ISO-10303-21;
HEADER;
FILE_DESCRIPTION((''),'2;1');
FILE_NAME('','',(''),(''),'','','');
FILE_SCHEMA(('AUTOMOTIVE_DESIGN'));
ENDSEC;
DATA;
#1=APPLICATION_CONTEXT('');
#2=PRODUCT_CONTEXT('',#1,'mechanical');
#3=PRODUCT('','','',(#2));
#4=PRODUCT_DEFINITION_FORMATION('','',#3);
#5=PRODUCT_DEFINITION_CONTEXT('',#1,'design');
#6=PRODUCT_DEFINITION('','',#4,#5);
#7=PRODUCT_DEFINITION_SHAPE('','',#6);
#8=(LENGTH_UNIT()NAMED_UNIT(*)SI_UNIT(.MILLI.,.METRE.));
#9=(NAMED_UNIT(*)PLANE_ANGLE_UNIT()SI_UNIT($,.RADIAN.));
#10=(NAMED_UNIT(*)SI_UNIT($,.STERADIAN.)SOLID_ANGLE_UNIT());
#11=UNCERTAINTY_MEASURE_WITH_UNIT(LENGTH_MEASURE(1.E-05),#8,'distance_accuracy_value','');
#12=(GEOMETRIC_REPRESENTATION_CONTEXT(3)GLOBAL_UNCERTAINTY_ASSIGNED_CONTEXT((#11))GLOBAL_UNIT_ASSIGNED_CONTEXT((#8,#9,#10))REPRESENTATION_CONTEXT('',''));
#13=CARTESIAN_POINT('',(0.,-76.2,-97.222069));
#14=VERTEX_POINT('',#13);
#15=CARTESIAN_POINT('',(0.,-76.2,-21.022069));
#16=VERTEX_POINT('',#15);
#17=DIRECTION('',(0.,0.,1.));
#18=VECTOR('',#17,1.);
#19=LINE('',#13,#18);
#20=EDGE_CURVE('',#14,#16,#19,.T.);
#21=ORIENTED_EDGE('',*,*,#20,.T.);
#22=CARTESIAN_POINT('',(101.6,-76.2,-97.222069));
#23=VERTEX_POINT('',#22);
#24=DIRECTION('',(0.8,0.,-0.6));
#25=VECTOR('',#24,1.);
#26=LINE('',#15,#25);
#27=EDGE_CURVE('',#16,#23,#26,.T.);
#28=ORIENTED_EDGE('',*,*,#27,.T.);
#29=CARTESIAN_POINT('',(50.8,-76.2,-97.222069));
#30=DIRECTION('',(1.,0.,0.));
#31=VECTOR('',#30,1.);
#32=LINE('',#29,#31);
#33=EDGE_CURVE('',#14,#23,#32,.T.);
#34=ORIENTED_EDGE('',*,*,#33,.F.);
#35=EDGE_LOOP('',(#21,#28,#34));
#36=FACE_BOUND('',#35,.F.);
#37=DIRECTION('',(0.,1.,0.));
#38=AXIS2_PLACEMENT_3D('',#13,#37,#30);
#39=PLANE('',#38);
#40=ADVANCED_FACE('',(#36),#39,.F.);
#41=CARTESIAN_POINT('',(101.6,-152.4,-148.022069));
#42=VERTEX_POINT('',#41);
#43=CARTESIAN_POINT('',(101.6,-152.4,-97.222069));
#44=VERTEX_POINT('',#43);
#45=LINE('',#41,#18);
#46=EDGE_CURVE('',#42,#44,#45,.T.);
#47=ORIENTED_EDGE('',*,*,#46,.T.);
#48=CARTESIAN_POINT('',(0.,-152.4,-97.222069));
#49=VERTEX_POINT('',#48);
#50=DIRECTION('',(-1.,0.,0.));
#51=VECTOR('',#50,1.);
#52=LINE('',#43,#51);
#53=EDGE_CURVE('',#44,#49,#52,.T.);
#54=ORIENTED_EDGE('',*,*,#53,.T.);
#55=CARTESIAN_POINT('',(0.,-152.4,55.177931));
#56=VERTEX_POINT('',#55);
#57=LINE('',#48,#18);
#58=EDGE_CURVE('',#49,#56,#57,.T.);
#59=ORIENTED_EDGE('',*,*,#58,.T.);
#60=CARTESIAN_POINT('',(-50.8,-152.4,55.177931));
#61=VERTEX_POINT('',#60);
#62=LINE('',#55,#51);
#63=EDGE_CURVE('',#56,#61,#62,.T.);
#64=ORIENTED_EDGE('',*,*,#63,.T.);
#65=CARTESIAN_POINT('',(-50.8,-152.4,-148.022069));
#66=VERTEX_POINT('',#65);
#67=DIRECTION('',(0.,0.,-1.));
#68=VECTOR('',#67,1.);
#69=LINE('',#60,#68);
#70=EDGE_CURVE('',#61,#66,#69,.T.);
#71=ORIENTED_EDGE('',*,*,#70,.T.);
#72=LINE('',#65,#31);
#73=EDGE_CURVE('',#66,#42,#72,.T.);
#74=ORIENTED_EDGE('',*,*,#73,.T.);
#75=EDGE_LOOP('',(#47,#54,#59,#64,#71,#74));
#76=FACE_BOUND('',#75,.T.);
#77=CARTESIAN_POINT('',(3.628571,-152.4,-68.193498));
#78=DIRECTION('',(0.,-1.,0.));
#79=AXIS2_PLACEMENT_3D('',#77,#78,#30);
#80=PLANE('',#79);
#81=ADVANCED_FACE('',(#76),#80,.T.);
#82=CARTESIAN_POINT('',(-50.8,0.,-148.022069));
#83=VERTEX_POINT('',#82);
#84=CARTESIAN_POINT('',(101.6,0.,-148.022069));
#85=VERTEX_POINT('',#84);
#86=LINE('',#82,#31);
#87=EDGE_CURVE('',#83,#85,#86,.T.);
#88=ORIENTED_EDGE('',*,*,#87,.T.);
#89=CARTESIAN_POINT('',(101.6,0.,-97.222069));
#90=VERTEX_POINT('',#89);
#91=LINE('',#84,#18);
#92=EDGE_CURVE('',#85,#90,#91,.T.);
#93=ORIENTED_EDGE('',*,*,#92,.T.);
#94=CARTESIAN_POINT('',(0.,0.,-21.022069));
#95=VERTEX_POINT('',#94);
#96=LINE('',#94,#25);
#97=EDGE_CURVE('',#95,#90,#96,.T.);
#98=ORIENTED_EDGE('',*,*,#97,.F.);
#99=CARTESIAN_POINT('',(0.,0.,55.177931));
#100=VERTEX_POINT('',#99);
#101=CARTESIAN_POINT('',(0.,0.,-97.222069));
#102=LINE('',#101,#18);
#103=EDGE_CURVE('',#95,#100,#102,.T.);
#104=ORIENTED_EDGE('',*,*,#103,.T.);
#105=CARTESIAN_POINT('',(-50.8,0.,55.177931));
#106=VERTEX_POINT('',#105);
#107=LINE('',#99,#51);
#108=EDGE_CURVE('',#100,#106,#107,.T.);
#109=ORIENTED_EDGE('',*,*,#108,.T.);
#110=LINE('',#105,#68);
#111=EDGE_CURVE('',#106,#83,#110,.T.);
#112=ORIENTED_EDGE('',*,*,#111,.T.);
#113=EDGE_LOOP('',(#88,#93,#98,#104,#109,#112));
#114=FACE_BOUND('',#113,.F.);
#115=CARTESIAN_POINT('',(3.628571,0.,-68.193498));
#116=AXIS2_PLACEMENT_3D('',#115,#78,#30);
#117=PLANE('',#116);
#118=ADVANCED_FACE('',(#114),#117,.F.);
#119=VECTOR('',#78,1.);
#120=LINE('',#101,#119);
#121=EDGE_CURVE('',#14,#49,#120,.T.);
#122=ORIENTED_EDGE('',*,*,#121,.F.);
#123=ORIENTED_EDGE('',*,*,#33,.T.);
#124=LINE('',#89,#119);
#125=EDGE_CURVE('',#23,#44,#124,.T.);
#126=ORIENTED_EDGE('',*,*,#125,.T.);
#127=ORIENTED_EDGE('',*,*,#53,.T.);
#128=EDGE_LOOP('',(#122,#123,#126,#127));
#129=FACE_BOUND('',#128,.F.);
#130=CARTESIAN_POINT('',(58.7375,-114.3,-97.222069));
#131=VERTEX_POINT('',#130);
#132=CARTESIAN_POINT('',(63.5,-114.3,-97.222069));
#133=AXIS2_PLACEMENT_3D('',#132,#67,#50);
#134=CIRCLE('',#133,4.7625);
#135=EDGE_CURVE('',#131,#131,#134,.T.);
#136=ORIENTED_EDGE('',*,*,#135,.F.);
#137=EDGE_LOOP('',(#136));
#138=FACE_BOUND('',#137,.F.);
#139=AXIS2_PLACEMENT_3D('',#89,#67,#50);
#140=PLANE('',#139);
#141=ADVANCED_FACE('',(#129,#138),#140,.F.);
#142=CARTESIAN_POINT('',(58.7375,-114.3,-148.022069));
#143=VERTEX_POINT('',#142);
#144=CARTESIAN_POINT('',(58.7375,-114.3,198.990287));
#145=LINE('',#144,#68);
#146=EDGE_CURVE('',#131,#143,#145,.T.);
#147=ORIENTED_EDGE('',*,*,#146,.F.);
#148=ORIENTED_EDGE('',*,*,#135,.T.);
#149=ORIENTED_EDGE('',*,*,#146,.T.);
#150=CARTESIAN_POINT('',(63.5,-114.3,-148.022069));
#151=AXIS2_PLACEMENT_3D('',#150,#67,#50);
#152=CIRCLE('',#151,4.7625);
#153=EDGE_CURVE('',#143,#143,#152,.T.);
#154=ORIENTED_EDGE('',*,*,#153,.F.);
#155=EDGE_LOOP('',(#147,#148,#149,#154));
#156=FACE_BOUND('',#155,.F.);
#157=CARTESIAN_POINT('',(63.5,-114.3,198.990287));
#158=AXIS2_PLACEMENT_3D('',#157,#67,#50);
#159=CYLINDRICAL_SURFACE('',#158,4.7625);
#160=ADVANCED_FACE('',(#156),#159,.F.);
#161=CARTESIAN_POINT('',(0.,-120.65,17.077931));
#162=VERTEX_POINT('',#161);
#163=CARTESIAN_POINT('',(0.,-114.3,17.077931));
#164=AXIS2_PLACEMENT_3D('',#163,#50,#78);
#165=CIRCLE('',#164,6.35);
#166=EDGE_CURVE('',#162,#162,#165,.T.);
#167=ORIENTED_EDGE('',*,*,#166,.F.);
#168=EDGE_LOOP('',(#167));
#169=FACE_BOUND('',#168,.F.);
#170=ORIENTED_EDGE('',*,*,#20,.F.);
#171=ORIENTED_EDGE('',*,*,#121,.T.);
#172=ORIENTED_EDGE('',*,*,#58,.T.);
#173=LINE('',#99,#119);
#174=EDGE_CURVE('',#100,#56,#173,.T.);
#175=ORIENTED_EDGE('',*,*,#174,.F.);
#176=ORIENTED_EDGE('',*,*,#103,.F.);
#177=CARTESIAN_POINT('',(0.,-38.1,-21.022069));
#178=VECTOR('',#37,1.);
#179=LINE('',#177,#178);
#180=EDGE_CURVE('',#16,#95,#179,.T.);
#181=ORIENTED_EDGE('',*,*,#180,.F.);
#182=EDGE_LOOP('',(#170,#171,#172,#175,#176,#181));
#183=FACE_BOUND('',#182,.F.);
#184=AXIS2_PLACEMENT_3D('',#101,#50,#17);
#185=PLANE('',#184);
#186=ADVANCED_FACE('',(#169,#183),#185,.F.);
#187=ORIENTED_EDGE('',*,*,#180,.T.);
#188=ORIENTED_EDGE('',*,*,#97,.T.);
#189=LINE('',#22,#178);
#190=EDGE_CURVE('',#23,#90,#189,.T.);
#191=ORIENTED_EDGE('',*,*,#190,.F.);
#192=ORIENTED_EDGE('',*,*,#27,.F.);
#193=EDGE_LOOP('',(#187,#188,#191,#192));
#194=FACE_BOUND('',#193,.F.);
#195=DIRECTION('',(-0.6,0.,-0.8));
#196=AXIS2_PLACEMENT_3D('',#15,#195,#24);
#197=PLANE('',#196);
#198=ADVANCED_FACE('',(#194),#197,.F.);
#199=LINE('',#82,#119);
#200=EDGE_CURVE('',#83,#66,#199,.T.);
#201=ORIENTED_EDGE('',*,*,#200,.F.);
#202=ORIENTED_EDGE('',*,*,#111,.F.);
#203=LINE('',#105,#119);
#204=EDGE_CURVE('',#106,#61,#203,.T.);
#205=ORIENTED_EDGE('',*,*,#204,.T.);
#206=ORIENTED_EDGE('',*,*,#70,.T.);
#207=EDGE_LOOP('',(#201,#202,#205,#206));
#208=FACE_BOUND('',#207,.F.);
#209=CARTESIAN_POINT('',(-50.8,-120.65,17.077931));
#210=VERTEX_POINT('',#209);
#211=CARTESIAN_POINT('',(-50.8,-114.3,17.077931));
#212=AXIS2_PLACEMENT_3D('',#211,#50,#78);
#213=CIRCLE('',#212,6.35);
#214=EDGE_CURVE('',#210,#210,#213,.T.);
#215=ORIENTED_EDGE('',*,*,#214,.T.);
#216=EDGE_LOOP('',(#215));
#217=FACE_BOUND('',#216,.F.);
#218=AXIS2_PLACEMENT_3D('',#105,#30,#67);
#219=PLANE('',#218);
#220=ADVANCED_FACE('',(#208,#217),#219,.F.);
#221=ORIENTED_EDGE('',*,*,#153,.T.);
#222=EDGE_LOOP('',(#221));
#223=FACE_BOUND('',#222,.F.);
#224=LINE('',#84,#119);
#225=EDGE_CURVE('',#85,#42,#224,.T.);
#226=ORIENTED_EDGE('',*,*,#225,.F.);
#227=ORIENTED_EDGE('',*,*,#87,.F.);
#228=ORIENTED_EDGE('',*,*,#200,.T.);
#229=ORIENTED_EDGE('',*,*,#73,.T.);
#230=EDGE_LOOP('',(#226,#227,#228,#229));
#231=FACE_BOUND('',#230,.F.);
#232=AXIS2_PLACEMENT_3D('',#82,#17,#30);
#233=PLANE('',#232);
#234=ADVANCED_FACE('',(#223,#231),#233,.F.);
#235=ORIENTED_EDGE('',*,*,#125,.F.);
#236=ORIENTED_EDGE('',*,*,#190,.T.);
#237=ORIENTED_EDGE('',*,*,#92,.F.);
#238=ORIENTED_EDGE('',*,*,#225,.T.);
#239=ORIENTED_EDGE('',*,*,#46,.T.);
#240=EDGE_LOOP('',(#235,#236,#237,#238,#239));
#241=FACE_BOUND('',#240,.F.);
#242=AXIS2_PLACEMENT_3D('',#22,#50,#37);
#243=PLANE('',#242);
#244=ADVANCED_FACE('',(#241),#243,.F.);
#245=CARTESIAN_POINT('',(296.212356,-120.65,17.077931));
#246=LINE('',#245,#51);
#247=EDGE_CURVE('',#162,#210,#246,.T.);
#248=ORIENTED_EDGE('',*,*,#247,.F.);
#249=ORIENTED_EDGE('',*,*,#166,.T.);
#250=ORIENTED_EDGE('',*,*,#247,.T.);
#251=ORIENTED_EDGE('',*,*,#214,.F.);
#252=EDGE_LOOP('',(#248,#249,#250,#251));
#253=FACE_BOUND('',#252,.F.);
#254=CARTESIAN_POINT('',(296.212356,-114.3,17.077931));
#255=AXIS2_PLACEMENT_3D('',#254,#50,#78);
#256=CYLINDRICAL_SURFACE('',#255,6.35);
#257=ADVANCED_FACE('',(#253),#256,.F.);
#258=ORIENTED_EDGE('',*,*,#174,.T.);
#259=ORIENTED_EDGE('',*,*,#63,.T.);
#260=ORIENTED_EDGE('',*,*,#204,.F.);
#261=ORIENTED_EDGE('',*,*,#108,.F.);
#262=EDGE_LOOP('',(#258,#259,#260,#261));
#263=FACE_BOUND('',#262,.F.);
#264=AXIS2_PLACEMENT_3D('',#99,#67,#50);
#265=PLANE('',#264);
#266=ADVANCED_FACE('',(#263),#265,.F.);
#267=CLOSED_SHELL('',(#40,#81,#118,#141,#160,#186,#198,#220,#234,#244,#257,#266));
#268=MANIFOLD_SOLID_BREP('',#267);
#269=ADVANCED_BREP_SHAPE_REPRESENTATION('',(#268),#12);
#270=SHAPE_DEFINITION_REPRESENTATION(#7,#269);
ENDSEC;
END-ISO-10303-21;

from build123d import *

# Parameters (mm, degrees)
F1_DEPTH = 152.4
F2_W     = 101.6
F2_H     = 76.2
F3_DEPTH = 76.2
F5_DEPTH = 76.2
F8_D     = 9.525
F9_D     = 12.7


with BuildPart() as f1:
    # F0 (on Front) → F1 (new body)
    with BuildSketch(Plane.XZ):
        Polygon((0, 55.177931), (-50.8, 55.177931), (-50.8, -148.022069), (101.6, -148.022069), (101.6, -97.222069), (0, -97.222069), align=None)
    extrude(amount=F1_DEPTH)

    # F2 (on face) → F3 (join)
    with BuildSketch(Plane.XY.offset(-97.222069)):
        with Locations((50.8, -38.1)):
            Rectangle(F2_W, F2_H)
    extrude(amount=F3_DEPTH)

    # F4 (on face) → F5 (cut)
    with BuildSketch(Plane.XZ.offset(76.2)):
        Polygon((101.6, -21.022069), (0, -21.022069), (101.6, -97.222069), align=None)
    extrude(amount=-F5_DEPTH, mode=Mode.SUBTRACT)

    # F8 (through all)
    with Locations(Plane.XY.offset(-97.222069)):
        with Locations((63.5, -114.3)):
            Hole(F8_D / 2)

    # F9 (through all)
    with Locations(Plane.YZ):
        with Locations((-114.3, 17.077931)):
            Hole(F9_D / 2)


solid = f1.part
